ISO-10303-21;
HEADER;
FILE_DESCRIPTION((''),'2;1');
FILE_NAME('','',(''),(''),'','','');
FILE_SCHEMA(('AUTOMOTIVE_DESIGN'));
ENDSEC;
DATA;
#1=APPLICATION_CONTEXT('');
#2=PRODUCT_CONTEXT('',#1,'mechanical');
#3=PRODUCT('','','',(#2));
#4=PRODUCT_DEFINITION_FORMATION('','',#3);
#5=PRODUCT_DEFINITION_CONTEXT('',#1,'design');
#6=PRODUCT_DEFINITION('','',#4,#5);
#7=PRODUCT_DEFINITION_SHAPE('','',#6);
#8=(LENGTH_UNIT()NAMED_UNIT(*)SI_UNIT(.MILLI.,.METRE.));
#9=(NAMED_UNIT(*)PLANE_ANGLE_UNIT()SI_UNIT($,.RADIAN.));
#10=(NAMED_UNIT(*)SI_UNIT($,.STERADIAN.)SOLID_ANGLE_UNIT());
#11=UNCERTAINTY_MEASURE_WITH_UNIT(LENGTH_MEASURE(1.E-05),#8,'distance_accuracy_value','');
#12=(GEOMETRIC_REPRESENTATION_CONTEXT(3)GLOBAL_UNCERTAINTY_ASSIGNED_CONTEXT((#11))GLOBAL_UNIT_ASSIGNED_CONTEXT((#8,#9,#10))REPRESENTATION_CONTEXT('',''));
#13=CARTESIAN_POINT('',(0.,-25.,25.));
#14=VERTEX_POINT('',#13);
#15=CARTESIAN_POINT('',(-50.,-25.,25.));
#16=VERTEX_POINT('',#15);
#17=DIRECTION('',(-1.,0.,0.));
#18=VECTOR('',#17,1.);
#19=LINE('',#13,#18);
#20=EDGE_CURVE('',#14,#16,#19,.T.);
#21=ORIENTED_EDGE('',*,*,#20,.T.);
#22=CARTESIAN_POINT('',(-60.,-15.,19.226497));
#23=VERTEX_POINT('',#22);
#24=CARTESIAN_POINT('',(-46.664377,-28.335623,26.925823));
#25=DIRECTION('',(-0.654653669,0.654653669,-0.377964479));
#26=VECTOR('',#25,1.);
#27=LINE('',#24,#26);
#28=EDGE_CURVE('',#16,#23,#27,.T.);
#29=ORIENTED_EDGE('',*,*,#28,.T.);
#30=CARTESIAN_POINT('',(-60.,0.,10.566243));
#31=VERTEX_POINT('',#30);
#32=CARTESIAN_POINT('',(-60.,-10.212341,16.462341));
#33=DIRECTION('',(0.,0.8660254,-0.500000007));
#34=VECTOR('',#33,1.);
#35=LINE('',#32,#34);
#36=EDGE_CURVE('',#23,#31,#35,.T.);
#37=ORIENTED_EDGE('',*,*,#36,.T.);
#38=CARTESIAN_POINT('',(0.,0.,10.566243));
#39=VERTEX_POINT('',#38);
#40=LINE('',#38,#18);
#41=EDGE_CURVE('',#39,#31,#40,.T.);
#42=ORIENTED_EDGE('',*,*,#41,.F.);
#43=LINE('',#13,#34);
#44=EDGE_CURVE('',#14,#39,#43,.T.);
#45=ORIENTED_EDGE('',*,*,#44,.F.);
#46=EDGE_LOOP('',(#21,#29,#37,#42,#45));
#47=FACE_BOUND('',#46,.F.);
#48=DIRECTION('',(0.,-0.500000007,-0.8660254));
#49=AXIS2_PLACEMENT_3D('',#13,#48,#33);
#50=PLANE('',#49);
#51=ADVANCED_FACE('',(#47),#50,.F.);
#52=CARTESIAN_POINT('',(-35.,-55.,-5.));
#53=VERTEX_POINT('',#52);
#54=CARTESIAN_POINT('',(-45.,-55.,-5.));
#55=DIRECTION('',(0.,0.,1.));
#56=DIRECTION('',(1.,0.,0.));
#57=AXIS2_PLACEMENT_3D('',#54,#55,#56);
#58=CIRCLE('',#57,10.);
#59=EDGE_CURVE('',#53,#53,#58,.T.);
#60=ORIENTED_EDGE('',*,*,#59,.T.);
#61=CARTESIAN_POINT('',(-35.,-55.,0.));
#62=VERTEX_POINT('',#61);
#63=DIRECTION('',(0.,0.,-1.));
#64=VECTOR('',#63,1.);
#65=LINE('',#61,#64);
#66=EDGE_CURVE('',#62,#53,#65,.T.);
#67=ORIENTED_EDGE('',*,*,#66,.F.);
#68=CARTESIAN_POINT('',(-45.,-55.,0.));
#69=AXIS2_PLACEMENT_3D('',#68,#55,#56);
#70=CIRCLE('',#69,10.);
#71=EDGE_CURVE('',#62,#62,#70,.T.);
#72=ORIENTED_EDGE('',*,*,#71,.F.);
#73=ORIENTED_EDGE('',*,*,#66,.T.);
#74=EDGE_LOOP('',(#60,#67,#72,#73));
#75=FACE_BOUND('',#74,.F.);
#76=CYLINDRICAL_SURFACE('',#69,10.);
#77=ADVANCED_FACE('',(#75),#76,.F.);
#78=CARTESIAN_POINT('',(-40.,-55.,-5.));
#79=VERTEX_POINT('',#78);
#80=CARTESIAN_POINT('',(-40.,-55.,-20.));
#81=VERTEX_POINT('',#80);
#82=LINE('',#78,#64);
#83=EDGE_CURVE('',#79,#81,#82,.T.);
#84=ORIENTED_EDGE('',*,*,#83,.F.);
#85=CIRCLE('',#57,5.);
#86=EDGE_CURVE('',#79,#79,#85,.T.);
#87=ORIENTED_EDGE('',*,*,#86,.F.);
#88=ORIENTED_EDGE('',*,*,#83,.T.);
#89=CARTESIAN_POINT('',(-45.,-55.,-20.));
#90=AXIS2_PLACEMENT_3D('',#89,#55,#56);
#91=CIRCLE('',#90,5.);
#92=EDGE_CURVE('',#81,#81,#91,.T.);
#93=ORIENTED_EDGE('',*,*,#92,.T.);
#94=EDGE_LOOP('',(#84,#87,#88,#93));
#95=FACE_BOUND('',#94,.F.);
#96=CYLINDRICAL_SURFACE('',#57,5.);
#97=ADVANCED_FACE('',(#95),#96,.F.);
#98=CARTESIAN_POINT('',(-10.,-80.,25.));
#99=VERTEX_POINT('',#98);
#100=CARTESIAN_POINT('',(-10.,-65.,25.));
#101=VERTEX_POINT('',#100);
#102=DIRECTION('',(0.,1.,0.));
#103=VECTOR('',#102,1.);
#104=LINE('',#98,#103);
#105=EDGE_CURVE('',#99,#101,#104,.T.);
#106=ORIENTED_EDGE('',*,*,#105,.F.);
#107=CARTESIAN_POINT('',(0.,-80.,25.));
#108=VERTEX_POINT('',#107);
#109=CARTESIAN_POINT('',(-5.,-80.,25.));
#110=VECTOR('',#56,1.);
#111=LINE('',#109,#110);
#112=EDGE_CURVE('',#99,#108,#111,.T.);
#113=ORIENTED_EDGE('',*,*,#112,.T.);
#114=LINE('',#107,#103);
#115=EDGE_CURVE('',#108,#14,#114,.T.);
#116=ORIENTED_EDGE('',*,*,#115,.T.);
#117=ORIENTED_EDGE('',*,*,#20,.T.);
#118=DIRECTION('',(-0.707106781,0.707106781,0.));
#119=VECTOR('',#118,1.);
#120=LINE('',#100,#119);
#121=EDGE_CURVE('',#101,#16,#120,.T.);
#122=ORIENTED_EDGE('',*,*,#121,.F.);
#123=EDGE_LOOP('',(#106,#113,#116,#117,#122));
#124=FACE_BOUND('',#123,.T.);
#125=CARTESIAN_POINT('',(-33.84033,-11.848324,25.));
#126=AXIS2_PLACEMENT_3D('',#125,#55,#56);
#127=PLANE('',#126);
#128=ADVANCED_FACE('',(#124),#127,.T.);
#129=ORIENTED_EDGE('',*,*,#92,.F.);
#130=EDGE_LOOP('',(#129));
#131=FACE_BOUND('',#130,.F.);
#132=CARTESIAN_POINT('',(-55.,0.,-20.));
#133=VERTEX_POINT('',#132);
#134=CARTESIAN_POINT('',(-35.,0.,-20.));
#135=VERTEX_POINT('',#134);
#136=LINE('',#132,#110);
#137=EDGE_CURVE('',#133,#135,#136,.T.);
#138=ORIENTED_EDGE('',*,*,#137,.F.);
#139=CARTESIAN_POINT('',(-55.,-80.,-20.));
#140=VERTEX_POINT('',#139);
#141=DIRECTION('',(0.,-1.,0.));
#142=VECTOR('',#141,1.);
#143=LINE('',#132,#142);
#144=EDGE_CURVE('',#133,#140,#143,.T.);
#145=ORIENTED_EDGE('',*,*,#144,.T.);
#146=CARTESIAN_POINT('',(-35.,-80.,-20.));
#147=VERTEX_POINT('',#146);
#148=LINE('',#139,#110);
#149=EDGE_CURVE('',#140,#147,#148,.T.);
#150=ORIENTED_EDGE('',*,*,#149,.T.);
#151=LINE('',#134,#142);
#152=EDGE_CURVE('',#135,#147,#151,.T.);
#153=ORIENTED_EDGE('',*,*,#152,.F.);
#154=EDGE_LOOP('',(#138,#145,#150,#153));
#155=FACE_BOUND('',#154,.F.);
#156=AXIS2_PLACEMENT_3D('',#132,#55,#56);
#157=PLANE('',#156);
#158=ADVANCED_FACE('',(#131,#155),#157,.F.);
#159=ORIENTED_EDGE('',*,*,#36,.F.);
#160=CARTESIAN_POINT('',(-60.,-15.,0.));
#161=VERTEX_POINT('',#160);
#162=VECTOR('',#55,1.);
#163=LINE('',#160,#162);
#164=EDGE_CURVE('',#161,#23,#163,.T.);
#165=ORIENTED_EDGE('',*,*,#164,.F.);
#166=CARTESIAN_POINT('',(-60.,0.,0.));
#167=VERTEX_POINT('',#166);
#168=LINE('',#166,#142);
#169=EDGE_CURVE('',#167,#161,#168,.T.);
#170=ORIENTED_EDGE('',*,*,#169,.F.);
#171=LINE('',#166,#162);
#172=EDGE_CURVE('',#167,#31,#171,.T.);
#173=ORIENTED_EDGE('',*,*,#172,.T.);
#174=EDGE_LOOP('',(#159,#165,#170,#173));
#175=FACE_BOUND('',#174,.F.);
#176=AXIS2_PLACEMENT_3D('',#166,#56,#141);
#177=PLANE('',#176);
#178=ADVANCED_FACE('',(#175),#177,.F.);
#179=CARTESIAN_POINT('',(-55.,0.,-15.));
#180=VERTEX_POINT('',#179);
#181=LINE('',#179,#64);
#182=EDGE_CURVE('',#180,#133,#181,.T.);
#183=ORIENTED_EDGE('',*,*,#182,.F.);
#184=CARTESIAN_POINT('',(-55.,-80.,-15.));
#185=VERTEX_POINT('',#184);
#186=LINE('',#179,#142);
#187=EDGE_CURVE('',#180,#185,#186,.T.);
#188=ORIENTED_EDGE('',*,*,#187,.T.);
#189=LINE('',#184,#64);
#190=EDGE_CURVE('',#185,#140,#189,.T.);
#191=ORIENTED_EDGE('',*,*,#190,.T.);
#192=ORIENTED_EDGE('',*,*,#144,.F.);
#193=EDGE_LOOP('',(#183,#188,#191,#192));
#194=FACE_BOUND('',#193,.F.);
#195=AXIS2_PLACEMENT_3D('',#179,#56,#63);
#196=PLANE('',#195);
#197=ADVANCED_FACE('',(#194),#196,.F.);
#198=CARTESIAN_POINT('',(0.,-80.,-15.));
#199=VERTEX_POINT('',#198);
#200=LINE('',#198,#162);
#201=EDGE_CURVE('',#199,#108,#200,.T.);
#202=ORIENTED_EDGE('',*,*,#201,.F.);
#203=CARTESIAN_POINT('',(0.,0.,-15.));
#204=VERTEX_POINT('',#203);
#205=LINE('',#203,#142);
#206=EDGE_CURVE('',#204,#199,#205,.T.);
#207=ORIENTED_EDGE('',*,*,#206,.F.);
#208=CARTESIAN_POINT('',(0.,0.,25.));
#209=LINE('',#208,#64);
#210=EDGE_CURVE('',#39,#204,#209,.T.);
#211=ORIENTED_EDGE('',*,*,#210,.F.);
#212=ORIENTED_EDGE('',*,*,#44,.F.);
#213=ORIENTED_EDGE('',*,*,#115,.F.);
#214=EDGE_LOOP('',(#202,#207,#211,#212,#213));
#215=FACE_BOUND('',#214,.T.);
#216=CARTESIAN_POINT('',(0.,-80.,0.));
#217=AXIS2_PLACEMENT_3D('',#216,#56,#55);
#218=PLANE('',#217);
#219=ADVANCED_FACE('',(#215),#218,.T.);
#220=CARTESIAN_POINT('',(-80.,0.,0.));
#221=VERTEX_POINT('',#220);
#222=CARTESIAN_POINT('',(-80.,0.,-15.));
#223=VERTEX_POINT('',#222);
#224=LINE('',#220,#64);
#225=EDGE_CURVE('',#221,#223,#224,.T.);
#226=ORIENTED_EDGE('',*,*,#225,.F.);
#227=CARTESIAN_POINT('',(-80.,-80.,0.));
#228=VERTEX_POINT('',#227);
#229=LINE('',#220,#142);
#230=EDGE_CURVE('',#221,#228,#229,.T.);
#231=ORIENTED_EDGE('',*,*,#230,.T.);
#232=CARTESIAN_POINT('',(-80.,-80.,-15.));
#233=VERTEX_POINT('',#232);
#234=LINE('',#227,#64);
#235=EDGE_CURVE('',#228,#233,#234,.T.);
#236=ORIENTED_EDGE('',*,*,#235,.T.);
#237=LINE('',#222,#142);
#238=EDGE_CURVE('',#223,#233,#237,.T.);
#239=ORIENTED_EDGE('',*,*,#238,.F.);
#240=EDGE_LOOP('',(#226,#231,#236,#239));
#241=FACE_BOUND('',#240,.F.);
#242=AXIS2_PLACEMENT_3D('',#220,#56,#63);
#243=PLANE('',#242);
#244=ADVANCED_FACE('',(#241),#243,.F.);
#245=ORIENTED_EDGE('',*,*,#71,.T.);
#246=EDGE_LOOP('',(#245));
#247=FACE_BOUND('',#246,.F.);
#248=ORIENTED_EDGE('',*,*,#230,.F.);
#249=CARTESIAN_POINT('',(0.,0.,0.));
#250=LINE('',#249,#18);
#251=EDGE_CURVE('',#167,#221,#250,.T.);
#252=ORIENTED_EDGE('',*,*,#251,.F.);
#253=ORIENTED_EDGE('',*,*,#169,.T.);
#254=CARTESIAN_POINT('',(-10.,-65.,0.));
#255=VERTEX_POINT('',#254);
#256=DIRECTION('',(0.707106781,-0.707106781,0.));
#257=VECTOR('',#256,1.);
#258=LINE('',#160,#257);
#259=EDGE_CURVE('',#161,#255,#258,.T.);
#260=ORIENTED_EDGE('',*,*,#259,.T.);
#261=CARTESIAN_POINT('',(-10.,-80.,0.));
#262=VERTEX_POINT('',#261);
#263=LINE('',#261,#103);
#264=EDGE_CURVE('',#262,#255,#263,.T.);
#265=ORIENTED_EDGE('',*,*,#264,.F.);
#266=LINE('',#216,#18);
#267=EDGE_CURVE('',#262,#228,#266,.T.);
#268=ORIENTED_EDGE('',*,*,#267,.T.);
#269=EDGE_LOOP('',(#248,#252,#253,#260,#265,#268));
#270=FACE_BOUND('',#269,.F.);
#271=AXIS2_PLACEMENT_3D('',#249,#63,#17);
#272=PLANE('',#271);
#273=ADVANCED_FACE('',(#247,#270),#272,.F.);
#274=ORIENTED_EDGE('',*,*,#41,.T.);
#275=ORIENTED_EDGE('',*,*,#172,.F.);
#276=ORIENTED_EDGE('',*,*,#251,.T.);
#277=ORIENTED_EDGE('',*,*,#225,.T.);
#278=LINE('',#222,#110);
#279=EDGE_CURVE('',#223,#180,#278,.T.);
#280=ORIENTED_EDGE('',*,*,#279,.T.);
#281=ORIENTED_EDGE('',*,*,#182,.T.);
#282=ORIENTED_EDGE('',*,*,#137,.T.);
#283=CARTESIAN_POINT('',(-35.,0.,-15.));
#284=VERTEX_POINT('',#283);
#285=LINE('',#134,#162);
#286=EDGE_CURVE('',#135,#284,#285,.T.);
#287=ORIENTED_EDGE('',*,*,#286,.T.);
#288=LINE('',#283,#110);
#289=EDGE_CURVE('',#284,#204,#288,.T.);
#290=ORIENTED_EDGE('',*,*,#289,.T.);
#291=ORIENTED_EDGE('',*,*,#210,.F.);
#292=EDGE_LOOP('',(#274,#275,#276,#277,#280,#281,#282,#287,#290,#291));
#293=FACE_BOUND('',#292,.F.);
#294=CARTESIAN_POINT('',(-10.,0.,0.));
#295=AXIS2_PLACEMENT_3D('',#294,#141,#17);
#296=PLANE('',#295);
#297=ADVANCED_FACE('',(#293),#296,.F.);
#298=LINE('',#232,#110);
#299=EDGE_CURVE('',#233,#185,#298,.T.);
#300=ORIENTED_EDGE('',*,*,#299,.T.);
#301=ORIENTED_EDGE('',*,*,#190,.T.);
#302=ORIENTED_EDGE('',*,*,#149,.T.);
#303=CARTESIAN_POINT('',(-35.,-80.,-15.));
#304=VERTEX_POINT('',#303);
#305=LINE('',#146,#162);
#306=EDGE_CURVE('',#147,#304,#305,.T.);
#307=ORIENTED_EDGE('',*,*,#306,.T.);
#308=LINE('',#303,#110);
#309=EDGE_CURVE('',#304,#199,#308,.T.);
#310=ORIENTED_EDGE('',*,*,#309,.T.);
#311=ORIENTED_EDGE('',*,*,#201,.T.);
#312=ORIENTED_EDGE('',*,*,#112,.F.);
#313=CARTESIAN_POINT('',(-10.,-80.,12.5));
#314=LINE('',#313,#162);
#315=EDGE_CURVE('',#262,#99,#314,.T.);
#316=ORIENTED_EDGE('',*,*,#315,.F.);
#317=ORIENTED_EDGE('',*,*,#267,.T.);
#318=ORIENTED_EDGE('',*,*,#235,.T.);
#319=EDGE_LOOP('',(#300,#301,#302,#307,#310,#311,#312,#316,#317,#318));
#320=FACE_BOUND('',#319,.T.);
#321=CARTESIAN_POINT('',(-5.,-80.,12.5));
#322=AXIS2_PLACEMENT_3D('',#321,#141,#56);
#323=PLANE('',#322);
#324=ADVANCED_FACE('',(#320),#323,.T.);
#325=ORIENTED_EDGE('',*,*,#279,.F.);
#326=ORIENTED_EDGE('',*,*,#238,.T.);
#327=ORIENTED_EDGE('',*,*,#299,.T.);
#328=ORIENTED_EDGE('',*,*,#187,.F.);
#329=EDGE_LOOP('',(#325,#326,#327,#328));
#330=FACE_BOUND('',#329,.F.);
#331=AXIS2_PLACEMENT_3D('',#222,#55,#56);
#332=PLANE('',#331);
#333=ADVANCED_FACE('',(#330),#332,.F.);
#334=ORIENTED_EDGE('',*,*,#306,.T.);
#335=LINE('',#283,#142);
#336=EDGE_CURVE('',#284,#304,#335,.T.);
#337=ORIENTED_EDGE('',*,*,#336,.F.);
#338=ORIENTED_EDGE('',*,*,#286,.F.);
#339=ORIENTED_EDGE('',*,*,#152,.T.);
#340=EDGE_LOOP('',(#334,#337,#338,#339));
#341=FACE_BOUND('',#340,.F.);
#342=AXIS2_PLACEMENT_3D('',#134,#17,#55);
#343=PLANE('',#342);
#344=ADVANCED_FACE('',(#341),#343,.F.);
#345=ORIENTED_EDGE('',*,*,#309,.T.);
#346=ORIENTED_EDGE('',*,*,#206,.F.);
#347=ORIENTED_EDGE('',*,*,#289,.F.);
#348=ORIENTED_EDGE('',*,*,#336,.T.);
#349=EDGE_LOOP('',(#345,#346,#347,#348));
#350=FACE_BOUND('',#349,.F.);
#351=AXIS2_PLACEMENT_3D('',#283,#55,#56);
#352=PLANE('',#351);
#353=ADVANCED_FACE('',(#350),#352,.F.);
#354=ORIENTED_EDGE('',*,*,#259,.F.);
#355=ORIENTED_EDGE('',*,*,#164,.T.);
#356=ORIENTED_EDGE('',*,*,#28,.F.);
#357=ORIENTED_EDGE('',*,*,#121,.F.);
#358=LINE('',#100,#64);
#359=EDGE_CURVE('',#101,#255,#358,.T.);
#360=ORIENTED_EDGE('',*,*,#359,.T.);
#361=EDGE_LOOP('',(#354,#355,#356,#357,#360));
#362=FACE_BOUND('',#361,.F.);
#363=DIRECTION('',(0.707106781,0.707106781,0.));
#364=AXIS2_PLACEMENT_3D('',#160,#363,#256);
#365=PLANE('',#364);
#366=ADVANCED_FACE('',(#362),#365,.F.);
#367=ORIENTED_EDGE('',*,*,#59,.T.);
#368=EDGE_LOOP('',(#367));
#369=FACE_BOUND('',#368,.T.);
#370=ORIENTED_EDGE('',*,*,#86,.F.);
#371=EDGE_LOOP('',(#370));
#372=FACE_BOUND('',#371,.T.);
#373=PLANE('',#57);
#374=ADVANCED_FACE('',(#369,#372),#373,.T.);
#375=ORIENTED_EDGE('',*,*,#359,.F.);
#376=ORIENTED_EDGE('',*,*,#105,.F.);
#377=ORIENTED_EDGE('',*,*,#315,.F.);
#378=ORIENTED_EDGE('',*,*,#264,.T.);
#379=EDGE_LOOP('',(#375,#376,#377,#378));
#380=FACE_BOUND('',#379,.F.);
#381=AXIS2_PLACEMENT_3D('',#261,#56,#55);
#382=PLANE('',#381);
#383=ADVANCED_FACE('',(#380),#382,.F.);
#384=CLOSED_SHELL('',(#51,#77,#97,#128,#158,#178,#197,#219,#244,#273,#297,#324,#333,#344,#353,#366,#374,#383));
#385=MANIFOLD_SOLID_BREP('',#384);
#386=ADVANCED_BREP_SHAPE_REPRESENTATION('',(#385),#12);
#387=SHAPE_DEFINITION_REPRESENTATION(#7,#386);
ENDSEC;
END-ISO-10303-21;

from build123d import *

# Parameters (mm, degrees)
F1_DEPTH  = 80
F2_W      = 10
F2_H      = 25
F3_DEPTH  = 80
F5_DEPTH  = 25
F7_DEPTH  = 25
F9_DEPTH  = 80.001
F10_R     = 10
F11_DEPTH = 5
F12_R     = 5
F13_DEPTH = 25


with BuildPart() as f1:
    # F0 (on Front) → F1 (new body)
    with BuildSketch(Plane.XZ):
        Polygon((0, -15), (0, 0), (-80, 0), (-80, -15), (-55, -15), (-55, -20), (-35, -20), (-35, -15), align=None)
    extrude(amount=F1_DEPTH)

    # F2 (on face) → F3 (join)
    with BuildSketch(Plane.XZ.offset(80)):
        with Locations((-5, 12.5)):
            Rectangle(F2_W, F2_H)
    extrude(amount=-F3_DEPTH)

    # F4 (on face) → F5 (join, through all)
    with BuildSketch(Plane.XY.offset(25)):
        Polygon((-50, -25), (-10, -65), (-10, -25), align=None)
    extrude(amount=-F5_DEPTH)

    # F6 (on face) → F7 (join)
    with BuildSketch(Plane.XY):
        Polygon((-60, -15), (-50, -25), (-10, -25), (-10, 0), (-60, 0), align=None)
    extrude(amount=F7_DEPTH)

    # F8 (on face) → F9 (cut, through all)
    with BuildSketch(Plane.YZ):
        Polygon((0, 10.566243), (0, 25), (-25, 25), align=None)
    extrude(amount=-F9_DEPTH, mode=Mode.SUBTRACT)

    # F10 (on face) → F11 (cut)
    with BuildSketch(Plane.XY):
        with Locations((-45, -55)):
            Circle(F10_R)
    extrude(amount=-F11_DEPTH, mode=Mode.SUBTRACT)

    # F12 (on face) → F13 (cut)
    with BuildSketch(Plane.XY.offset(-5)):
        with Locations((-45, -55)):
            Circle(F12_R)
    extrude(amount=-F13_DEPTH, mode=Mode.SUBTRACT)


solid = f1.part
